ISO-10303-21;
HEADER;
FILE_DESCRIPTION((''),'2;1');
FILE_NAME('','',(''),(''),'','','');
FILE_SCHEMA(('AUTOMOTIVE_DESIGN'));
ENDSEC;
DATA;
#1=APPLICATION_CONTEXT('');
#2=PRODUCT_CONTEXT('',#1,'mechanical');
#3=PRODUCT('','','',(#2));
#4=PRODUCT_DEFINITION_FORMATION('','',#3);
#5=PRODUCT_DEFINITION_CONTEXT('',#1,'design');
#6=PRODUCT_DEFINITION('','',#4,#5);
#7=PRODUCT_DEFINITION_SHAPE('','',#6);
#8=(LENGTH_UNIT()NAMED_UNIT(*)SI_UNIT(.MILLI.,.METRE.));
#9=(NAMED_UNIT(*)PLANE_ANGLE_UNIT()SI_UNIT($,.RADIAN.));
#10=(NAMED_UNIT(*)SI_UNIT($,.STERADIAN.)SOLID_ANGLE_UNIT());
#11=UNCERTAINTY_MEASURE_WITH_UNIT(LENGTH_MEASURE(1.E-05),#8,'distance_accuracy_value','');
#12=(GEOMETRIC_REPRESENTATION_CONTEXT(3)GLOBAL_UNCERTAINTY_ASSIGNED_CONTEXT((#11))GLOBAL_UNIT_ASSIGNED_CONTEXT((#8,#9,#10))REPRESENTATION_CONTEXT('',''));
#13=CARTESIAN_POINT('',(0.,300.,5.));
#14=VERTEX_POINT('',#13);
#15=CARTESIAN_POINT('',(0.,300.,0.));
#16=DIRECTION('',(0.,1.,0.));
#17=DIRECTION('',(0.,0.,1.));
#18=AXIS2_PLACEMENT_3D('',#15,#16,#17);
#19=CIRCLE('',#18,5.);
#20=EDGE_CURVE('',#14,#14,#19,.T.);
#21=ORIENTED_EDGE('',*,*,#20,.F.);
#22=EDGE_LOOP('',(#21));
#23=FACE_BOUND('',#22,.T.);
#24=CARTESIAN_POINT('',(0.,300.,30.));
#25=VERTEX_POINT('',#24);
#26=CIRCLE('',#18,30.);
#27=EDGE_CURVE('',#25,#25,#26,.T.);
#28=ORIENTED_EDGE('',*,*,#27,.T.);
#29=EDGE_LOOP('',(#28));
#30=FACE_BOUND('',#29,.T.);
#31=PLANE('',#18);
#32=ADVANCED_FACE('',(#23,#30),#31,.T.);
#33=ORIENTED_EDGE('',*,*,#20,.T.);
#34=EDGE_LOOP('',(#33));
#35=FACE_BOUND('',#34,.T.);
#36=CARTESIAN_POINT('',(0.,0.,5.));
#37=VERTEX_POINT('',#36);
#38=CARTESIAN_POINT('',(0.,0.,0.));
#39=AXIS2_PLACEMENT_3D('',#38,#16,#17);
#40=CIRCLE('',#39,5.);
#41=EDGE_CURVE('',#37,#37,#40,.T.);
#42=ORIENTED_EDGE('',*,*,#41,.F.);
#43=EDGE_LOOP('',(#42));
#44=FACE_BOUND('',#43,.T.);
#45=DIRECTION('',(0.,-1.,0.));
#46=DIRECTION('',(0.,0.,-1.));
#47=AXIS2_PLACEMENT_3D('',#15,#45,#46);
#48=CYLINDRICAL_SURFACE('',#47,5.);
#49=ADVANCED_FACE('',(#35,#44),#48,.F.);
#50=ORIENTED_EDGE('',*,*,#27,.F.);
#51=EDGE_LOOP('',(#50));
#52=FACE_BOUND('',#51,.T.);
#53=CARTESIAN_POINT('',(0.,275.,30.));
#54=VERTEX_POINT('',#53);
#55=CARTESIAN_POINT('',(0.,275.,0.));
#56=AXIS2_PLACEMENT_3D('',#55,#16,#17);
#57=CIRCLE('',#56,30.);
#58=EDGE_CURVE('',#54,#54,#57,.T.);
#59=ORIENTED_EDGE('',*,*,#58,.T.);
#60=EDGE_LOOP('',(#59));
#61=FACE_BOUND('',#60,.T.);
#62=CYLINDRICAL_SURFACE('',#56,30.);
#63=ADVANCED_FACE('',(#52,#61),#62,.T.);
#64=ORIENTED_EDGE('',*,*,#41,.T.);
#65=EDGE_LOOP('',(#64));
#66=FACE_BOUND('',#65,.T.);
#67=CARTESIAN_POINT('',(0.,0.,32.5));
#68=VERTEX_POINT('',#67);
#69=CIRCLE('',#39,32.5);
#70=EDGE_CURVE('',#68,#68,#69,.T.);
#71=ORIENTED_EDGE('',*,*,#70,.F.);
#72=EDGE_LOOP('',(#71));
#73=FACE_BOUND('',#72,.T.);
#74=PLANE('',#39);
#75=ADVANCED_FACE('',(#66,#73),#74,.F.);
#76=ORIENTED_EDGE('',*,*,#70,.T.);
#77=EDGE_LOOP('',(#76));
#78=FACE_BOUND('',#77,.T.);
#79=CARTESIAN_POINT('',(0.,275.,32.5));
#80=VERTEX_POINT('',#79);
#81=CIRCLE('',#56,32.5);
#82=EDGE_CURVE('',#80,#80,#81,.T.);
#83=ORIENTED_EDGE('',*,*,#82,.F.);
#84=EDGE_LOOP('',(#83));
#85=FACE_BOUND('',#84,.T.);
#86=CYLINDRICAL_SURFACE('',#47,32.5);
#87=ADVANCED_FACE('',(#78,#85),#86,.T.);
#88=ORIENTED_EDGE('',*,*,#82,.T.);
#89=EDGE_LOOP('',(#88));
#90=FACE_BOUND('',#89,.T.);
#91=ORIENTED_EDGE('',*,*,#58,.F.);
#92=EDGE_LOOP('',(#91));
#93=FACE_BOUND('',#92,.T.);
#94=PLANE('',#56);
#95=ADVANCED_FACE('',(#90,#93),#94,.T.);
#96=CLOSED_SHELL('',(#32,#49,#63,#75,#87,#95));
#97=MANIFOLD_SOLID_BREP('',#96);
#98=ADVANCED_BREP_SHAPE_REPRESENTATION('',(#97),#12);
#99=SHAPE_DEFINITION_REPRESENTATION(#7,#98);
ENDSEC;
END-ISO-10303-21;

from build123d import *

# Parameters (mm, degrees)
SKETCH1_R           = 32.5
SKETCH1_R_2         = 5
BOSS_EXTRUDE1_DEPTH = 300
SKETCH2_R           = 32.5
SKETCH2_R_2         = 30
CUT_EXTRUDE2_DEPTH  = 25


with BuildPart() as part:
    # Sketch1 → Boss-Extrude1 (new body)
    with BuildSketch(Plane(origin=(0, 0, 0), x_dir=(1, 0, 0), z_dir=(0, 1, 0))):
        Circle(SKETCH1_R)
        Circle(SKETCH1_R_2, mode=Mode.SUBTRACT)
    extrude(amount=BOSS_EXTRUDE1_DEPTH)

    # Sketch2 → Cut-Extrude2 (cut)
    with BuildSketch(Plane(origin=(0, 300, 0), x_dir=(1, 0, 0), z_dir=(0, 1, 0))):
        Circle(SKETCH2_R)
        Circle(SKETCH2_R_2, mode=Mode.SUBTRACT)
    extrude(amount=-CUT_EXTRUDE2_DEPTH, mode=Mode.SUBTRACT)


solid = part.part
